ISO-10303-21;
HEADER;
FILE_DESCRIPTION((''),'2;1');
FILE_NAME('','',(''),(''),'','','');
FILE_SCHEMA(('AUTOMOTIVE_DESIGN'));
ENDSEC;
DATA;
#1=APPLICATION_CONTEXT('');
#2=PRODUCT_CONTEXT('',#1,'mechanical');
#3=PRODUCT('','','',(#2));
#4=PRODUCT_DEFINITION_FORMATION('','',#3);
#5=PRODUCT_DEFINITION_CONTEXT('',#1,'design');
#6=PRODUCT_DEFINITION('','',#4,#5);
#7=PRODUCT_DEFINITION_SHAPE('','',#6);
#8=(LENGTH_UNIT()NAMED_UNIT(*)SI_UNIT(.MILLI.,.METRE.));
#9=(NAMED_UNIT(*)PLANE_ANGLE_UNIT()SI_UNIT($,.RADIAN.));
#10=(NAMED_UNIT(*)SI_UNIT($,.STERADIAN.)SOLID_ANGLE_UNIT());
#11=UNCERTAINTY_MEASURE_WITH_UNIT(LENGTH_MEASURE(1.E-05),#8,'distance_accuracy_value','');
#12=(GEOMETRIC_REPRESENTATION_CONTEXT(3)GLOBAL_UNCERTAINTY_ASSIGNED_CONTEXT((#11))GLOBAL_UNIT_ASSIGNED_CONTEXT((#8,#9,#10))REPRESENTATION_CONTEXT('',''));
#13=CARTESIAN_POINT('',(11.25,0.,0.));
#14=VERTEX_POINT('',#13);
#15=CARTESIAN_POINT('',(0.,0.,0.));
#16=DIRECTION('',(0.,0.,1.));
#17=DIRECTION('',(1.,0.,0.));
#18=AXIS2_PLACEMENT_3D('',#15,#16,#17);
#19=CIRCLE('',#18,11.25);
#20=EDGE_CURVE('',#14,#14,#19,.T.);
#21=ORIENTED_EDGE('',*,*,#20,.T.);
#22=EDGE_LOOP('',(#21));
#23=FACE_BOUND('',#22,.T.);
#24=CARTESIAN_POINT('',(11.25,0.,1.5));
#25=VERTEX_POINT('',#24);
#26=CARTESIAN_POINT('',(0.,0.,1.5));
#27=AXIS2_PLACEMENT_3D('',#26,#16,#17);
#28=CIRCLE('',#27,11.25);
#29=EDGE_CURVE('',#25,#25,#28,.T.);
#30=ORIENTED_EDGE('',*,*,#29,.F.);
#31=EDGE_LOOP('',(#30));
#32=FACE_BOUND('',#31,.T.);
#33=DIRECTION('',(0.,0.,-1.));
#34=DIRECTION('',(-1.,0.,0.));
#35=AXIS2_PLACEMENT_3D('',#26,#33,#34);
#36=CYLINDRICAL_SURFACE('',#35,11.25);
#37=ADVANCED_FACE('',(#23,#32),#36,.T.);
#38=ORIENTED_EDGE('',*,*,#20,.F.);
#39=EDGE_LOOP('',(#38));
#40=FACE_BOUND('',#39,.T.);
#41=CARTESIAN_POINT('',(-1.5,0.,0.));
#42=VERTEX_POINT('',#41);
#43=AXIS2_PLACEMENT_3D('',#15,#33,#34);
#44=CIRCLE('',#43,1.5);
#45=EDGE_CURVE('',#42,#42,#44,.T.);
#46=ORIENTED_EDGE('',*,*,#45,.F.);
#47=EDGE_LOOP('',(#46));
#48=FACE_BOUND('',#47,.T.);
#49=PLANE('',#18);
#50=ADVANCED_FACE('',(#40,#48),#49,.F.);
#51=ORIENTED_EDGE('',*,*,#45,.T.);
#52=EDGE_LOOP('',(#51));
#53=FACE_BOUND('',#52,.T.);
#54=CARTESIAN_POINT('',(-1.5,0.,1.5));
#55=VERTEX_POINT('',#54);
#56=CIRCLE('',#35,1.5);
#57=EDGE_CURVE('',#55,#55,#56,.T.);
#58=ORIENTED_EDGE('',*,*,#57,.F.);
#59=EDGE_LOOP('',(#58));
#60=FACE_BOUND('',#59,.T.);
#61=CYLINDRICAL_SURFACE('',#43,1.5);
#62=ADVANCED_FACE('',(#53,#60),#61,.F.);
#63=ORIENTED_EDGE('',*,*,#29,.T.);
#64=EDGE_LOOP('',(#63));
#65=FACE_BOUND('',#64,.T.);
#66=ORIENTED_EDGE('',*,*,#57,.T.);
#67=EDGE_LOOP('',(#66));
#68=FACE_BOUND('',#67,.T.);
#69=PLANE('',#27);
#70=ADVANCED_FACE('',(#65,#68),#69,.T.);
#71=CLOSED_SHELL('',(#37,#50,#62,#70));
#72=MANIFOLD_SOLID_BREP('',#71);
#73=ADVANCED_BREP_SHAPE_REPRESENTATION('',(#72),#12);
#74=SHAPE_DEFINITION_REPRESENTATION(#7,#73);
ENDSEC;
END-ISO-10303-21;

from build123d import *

# Parameters (mm, degrees)
SKETCH_1_R      = 11.25
EXTRUDE_1_DEPTH = 1.5
SKETCH_3_W      = 1.5
SKETCH_3_H      = 1.5


with BuildPart() as part:
    # 草图1 → 凸台-拉伸1 (new body)
    with BuildSketch(Plane.XY):
        Circle(SKETCH_1_R)
    extrude(amount=EXTRUDE_1_DEPTH)

    # 草图3 → 切除-旋转1 (revolve, cut)
    with BuildSketch(Plane(origin=(0, 0, 0), x_dir=(1, 0, 0), z_dir=(0, 1, 0)), mode=Mode.PRIVATE) as cut_revolve_1_sk:
        with Locations((0.75, -0.75)):
            Rectangle(SKETCH_3_W, SKETCH_3_H)
    revolve(cut_revolve_1_sk.sketch.rotate(Axis((0, 0, 0), (0, 0, 1)), 180), axis=Axis((0, 0, 0), (0, 0, 1)), mode=Mode.SUBTRACT)


solid = part.part
